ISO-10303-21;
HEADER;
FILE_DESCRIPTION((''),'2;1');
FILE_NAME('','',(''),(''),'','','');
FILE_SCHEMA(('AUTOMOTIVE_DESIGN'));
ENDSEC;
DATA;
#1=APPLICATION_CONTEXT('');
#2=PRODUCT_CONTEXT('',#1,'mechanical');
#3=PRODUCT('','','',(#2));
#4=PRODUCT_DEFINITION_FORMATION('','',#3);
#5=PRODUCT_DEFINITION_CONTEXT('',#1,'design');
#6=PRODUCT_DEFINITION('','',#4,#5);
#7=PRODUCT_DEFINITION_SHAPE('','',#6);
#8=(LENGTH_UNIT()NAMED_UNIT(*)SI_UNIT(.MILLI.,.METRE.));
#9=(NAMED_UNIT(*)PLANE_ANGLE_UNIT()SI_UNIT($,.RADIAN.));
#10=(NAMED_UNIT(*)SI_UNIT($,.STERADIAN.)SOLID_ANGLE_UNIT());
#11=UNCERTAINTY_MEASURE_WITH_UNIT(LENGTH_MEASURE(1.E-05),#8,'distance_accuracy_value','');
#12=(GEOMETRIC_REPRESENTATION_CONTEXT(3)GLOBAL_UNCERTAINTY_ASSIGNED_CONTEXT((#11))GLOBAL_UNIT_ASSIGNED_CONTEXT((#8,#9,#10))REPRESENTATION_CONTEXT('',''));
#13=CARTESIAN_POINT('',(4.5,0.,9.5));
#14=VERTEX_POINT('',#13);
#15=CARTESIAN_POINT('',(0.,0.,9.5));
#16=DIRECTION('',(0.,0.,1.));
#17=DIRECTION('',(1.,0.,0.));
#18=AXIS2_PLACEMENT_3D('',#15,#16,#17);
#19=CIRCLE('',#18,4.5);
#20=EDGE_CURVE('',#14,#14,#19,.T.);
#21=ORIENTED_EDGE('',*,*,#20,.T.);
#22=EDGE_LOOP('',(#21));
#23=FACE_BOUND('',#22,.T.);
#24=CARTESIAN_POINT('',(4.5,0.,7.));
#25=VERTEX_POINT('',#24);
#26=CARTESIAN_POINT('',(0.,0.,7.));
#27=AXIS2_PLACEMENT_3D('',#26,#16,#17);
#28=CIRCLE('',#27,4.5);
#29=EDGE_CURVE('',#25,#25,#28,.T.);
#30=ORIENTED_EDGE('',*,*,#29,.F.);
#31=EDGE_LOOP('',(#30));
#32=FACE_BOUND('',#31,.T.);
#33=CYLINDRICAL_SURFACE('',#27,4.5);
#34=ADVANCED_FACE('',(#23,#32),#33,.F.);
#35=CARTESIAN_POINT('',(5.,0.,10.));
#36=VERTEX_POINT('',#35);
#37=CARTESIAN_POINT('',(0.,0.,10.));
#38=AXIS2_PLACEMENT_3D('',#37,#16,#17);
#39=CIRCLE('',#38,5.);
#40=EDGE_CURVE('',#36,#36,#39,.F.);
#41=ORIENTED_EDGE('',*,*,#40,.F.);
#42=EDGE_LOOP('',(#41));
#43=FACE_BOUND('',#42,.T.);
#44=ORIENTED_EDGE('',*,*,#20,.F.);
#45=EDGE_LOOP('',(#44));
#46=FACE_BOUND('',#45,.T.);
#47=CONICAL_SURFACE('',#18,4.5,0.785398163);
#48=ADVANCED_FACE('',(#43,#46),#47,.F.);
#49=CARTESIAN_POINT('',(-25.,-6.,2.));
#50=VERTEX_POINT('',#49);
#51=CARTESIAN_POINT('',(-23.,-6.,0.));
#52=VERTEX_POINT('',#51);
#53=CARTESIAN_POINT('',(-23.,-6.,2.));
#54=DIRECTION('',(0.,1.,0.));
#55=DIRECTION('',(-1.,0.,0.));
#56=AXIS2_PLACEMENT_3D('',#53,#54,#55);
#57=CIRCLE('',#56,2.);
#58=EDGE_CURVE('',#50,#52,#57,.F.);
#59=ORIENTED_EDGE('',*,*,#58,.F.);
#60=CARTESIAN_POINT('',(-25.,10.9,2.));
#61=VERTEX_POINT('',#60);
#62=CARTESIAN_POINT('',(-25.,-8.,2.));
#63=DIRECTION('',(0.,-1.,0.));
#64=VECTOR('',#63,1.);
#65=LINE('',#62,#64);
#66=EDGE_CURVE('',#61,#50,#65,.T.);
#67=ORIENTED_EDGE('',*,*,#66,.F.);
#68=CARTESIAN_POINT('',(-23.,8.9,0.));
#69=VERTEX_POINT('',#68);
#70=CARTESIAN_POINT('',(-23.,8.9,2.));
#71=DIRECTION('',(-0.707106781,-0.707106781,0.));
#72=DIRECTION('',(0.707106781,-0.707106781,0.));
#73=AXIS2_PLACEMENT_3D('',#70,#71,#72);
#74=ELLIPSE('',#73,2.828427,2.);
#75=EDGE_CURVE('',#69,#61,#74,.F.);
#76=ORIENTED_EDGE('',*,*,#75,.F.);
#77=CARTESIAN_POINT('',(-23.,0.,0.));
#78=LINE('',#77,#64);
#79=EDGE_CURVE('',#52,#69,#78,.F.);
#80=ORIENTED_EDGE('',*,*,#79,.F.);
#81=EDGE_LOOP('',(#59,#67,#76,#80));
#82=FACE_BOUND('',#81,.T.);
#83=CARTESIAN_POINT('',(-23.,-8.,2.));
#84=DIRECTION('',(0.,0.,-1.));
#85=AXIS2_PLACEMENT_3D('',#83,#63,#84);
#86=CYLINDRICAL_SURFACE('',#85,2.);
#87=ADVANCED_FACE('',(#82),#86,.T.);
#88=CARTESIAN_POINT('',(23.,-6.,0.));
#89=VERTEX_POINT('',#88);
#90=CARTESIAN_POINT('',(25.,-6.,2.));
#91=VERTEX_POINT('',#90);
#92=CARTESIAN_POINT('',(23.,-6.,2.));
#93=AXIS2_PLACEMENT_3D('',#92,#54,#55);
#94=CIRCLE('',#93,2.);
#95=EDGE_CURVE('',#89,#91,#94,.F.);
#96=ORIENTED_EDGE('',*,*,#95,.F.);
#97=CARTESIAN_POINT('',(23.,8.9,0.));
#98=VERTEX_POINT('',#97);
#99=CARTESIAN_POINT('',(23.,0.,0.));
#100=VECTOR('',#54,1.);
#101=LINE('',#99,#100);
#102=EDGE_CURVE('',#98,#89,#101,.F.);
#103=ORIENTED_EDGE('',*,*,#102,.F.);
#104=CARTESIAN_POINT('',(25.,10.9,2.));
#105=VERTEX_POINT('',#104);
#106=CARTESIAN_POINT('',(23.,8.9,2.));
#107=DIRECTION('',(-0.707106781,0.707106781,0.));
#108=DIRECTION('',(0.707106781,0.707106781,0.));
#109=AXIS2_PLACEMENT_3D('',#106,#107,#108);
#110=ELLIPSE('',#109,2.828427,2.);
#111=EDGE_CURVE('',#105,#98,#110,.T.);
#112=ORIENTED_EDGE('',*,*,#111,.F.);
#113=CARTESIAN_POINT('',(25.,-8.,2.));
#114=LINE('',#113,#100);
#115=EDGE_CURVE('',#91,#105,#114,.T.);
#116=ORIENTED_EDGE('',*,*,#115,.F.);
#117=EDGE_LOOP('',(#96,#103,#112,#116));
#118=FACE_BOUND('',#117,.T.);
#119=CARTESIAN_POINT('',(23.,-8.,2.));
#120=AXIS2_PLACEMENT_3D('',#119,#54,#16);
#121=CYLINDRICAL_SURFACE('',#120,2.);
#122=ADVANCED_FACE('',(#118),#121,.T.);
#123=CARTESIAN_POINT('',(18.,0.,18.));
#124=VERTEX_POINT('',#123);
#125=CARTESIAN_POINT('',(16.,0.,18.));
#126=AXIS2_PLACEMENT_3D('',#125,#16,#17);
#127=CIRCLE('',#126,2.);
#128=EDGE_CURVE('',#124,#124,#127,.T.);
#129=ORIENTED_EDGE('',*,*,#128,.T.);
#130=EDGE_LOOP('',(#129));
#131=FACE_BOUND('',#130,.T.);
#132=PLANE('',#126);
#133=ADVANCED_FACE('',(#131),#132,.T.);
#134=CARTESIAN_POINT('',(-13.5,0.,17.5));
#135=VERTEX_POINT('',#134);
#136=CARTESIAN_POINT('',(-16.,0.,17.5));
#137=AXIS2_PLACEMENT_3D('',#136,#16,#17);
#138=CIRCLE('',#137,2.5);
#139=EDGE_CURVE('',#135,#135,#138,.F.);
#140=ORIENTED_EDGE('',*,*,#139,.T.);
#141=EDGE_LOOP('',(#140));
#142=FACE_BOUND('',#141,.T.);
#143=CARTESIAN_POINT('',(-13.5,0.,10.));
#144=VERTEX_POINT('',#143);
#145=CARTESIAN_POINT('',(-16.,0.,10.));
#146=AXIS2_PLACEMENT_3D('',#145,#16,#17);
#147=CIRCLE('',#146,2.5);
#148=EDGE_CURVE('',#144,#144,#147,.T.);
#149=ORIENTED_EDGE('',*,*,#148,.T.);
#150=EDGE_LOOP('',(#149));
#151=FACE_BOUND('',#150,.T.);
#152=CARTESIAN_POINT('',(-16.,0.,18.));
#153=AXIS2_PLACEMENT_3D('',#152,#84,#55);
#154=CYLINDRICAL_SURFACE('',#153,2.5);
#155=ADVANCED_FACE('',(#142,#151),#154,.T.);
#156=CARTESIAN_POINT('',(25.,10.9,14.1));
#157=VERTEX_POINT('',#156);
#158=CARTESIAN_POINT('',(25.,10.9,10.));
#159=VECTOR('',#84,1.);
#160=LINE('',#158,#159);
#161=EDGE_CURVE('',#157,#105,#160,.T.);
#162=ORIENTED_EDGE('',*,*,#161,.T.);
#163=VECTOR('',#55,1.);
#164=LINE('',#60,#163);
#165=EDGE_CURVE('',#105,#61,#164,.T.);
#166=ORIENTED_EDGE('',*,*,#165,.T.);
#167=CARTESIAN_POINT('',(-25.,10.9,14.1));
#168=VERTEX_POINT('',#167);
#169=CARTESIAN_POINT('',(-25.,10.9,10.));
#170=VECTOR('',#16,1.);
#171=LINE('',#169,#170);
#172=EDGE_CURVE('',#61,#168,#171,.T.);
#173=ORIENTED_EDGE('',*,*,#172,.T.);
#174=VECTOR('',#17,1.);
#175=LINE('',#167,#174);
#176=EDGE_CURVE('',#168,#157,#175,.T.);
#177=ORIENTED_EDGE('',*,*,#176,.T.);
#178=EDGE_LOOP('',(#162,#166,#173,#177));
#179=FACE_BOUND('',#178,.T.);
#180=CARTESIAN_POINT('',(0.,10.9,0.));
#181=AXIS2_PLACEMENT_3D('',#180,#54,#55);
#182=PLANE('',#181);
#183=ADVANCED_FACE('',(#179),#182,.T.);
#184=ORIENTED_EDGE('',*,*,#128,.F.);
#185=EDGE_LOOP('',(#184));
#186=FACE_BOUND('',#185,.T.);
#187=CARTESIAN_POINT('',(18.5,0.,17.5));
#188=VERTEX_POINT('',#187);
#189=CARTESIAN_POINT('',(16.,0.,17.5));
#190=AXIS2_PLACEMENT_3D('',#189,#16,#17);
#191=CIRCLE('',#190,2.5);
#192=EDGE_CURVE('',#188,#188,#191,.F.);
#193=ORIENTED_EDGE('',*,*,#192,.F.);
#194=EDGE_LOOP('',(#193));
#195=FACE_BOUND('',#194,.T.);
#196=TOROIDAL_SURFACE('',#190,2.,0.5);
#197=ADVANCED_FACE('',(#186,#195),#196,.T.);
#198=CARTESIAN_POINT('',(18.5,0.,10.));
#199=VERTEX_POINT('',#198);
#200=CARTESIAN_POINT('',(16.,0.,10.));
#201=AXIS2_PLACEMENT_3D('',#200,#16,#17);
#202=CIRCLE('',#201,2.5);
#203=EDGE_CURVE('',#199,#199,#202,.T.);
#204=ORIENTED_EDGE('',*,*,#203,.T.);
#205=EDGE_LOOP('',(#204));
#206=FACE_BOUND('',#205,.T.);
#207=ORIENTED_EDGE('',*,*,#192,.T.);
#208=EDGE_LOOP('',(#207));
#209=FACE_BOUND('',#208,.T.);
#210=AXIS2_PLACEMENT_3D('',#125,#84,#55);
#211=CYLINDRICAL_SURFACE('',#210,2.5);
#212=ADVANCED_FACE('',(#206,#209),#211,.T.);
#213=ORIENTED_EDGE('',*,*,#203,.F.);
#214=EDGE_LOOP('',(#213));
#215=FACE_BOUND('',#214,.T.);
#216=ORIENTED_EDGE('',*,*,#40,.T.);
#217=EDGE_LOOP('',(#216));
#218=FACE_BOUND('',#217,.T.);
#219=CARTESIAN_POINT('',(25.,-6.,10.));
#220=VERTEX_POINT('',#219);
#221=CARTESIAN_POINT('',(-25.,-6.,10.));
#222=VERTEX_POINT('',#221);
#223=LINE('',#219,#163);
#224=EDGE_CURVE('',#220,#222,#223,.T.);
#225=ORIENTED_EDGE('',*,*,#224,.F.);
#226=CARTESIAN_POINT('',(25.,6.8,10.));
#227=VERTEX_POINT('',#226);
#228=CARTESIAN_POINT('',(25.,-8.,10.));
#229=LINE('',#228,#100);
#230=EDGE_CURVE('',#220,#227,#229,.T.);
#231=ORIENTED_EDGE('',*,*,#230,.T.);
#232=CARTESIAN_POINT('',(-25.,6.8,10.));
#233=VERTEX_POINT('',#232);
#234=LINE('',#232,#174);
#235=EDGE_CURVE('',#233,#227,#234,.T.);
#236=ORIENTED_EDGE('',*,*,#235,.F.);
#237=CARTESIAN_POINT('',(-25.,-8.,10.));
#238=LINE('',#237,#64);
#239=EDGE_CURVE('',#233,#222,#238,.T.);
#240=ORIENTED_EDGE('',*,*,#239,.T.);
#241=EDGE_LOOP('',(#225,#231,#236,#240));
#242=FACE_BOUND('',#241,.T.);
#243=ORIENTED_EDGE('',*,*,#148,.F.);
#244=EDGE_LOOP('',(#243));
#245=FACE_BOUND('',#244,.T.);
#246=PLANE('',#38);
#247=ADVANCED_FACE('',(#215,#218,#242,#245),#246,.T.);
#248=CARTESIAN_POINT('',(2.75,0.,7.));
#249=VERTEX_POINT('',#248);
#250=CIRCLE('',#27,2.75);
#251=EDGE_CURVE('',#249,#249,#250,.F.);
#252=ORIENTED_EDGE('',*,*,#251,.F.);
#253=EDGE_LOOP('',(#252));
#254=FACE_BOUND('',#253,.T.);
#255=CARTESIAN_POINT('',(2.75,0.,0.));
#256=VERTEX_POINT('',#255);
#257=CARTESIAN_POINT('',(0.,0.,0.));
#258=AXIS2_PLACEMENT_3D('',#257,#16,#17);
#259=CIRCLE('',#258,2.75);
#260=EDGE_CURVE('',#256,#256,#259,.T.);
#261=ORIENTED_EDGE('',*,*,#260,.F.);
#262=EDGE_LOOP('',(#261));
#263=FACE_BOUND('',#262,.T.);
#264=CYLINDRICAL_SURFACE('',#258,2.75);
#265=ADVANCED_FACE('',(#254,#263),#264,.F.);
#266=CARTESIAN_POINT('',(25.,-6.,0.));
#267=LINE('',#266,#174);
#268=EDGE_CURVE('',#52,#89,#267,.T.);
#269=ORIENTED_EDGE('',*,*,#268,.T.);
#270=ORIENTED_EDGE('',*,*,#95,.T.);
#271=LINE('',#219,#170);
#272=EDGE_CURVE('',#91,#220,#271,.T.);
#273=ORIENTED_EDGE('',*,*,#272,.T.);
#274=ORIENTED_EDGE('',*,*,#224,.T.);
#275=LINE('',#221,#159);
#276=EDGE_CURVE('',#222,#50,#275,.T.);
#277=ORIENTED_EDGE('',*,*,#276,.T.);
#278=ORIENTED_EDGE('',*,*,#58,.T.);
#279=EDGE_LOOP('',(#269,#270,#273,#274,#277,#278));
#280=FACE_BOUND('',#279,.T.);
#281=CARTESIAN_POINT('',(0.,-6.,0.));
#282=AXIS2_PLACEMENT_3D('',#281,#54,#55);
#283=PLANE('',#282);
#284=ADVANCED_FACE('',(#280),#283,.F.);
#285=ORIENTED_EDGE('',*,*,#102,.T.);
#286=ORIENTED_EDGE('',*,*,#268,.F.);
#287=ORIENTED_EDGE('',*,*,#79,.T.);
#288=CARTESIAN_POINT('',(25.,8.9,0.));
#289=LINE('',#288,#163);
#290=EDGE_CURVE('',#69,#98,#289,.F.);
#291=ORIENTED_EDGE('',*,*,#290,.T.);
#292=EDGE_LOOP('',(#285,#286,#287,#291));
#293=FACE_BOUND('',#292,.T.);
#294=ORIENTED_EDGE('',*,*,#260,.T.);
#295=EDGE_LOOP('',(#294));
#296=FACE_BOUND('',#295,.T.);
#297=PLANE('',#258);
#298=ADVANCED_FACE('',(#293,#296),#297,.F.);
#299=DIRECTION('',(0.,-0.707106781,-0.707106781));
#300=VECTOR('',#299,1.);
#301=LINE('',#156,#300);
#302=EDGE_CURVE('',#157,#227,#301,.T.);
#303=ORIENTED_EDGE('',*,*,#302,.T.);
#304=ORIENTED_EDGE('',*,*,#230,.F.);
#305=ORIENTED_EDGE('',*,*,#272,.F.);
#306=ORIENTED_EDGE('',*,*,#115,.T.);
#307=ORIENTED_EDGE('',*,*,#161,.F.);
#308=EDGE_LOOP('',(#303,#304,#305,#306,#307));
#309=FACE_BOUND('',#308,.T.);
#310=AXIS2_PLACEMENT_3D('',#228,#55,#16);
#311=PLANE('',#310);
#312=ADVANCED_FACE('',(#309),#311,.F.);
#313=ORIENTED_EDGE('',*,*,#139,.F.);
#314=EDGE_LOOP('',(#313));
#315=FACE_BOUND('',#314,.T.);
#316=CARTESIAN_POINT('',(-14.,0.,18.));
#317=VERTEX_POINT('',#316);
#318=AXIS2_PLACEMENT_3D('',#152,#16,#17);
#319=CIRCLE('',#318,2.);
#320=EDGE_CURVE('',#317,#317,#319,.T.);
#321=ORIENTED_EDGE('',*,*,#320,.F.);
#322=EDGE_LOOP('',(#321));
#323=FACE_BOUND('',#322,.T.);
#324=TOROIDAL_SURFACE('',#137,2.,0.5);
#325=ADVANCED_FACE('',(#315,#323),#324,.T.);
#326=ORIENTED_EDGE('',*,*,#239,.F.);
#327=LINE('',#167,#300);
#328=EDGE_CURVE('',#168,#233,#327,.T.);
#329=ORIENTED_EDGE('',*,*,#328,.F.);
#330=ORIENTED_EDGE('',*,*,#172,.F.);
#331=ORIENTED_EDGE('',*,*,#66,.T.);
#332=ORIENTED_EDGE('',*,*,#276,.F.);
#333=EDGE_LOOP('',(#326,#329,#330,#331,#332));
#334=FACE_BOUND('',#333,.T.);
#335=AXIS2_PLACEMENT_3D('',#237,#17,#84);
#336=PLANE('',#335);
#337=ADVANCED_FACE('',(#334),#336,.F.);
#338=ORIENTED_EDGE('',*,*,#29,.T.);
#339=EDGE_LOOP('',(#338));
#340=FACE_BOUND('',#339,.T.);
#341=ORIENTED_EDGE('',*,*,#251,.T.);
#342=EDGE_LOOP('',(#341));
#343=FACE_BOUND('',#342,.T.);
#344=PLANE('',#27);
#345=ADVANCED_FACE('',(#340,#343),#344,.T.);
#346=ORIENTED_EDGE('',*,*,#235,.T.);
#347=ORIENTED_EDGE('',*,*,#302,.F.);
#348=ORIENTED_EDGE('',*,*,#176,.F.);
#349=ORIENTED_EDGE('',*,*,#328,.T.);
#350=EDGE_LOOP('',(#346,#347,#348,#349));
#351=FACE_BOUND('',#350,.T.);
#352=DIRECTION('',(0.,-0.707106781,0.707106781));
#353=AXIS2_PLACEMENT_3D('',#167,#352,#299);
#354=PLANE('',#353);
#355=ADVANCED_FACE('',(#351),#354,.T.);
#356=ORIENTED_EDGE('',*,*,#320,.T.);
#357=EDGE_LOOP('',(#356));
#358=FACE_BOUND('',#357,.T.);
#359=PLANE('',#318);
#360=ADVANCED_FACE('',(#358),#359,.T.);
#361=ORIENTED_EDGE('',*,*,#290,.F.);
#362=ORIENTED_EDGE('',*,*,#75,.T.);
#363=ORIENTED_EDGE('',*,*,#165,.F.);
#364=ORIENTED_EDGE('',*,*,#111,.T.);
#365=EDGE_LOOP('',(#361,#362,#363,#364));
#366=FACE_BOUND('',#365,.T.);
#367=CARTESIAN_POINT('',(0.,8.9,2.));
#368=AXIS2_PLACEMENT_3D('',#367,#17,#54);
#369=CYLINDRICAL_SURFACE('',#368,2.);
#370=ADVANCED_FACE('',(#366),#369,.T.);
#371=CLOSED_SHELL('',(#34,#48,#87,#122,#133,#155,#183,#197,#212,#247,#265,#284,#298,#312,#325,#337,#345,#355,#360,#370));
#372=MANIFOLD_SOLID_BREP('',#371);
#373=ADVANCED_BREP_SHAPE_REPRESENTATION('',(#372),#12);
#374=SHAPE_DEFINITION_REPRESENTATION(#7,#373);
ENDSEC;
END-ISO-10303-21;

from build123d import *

# Parameters (mm, degrees)
SKETCH1_W           = 50
SKETCH1_H           = 16
BOSS_EXTRUDE1_DEPTH = 10
SKETCH2_R           = 2.75
CUT_EXTRUDE1_DEPTH  = 29.08914381
SKETCH3_R           = 2.5
BOSS_EXTRUDE2_DEPTH = 8
FILLET1_R           = 0.5
SKETCH4_W           = 50
SKETCH4_H           = 10
CUT_EXTRUDE2_DEPTH  = 2
SKETCH5_W           = 50
SKETCH5_H           = 10
BOSS_EXTRUDE3_DEPTH = 2.9
BOSS_EXTRUDE4_DEPTH = 50
FILLET2_R           = 2
SKETCH7_R           = 4.5
CUT_EXTRUDE3_DEPTH  = 3
CHAMFER1_SIZE       = 0.5


with BuildPart() as part:
    # Sketch1 → Boss-Extrude1 (new body)
    with BuildSketch(Plane.XY):
        Rectangle(SKETCH1_W, SKETCH1_H)
    extrude(amount=BOSS_EXTRUDE1_DEPTH)

    # Sketch2 → Cut-Extrude1 (cut, through all)
    with BuildSketch(Plane.XY.offset(10)):
        Circle(SKETCH2_R)
    extrude(amount=-CUT_EXTRUDE1_DEPTH, mode=Mode.SUBTRACT)

    # Sketch3 → Boss-Extrude2 (add)
    with BuildSketch(Plane.XY.offset(10)):
        with Locations((-16, 0)):
            Circle(SKETCH3_R)
        with Locations((16, 0)):
            Circle(SKETCH3_R)
    extrude(amount=BOSS_EXTRUDE2_DEPTH)

    # Fillet1
    fillet1_edges = [part.edges().sort_by_distance(p)[0] for p in [
        (-18.5, 0, 18),
        (13.5, 0, 18),
    ]]
    fillet(fillet1_edges, radius=FILLET1_R)

    # Sketch4 → Cut-Extrude2 (cut)
    with BuildSketch(Plane(origin=(0, -8, 0), x_dir=(-1, 0, 0), z_dir=(0, -1, 0))):
        with Locations((0, -5)):
            Rectangle(SKETCH4_W, SKETCH4_H)
    extrude(amount=-CUT_EXTRUDE2_DEPTH, mode=Mode.SUBTRACT)

    # Sketch5 → Boss-Extrude3 (add)
    with BuildSketch(Plane(origin=(0, 8, 0), x_dir=(1, 0, 0), z_dir=(0, 1, 0))):
        with Locations((0, -5)):
            Rectangle(SKETCH5_W, SKETCH5_H)
    extrude(amount=BOSS_EXTRUDE3_DEPTH)

    # Sketch6 → Boss-Extrude4 (add, through all)
    with BuildSketch(Plane(origin=(25, 0, 0), x_dir=(0, 0, -1), z_dir=(1, 0, 0))):
        Polygon((-14.1, 10.9), (-10, 6.8), (-10, 10.9), align=None)
    extrude(amount=-BOSS_EXTRUDE4_DEPTH)

    # Fillet2
    fillet2_edges = [part.edges().sort_by_distance(p)[0] for p in [
        (25, 2.45, 0),
        (0, 10.9, 0),
        (-25, 2.45, 0),
    ]]
    fillet(fillet2_edges, radius=FILLET2_R)

    # Sketch7 → Cut-Extrude3 (cut)
    with BuildSketch(Plane.XY.offset(10)):
        Circle(SKETCH7_R)
    extrude(amount=-CUT_EXTRUDE3_DEPTH, mode=Mode.SUBTRACT)

    # Chamfer1
    chamfer1_edges = [part.edges().sort_by_distance(p)[0] for p in [
        (-4.5, 0, 10),
    ]]
    chamfer(chamfer1_edges, length=CHAMFER1_SIZE)


solid = part.part
